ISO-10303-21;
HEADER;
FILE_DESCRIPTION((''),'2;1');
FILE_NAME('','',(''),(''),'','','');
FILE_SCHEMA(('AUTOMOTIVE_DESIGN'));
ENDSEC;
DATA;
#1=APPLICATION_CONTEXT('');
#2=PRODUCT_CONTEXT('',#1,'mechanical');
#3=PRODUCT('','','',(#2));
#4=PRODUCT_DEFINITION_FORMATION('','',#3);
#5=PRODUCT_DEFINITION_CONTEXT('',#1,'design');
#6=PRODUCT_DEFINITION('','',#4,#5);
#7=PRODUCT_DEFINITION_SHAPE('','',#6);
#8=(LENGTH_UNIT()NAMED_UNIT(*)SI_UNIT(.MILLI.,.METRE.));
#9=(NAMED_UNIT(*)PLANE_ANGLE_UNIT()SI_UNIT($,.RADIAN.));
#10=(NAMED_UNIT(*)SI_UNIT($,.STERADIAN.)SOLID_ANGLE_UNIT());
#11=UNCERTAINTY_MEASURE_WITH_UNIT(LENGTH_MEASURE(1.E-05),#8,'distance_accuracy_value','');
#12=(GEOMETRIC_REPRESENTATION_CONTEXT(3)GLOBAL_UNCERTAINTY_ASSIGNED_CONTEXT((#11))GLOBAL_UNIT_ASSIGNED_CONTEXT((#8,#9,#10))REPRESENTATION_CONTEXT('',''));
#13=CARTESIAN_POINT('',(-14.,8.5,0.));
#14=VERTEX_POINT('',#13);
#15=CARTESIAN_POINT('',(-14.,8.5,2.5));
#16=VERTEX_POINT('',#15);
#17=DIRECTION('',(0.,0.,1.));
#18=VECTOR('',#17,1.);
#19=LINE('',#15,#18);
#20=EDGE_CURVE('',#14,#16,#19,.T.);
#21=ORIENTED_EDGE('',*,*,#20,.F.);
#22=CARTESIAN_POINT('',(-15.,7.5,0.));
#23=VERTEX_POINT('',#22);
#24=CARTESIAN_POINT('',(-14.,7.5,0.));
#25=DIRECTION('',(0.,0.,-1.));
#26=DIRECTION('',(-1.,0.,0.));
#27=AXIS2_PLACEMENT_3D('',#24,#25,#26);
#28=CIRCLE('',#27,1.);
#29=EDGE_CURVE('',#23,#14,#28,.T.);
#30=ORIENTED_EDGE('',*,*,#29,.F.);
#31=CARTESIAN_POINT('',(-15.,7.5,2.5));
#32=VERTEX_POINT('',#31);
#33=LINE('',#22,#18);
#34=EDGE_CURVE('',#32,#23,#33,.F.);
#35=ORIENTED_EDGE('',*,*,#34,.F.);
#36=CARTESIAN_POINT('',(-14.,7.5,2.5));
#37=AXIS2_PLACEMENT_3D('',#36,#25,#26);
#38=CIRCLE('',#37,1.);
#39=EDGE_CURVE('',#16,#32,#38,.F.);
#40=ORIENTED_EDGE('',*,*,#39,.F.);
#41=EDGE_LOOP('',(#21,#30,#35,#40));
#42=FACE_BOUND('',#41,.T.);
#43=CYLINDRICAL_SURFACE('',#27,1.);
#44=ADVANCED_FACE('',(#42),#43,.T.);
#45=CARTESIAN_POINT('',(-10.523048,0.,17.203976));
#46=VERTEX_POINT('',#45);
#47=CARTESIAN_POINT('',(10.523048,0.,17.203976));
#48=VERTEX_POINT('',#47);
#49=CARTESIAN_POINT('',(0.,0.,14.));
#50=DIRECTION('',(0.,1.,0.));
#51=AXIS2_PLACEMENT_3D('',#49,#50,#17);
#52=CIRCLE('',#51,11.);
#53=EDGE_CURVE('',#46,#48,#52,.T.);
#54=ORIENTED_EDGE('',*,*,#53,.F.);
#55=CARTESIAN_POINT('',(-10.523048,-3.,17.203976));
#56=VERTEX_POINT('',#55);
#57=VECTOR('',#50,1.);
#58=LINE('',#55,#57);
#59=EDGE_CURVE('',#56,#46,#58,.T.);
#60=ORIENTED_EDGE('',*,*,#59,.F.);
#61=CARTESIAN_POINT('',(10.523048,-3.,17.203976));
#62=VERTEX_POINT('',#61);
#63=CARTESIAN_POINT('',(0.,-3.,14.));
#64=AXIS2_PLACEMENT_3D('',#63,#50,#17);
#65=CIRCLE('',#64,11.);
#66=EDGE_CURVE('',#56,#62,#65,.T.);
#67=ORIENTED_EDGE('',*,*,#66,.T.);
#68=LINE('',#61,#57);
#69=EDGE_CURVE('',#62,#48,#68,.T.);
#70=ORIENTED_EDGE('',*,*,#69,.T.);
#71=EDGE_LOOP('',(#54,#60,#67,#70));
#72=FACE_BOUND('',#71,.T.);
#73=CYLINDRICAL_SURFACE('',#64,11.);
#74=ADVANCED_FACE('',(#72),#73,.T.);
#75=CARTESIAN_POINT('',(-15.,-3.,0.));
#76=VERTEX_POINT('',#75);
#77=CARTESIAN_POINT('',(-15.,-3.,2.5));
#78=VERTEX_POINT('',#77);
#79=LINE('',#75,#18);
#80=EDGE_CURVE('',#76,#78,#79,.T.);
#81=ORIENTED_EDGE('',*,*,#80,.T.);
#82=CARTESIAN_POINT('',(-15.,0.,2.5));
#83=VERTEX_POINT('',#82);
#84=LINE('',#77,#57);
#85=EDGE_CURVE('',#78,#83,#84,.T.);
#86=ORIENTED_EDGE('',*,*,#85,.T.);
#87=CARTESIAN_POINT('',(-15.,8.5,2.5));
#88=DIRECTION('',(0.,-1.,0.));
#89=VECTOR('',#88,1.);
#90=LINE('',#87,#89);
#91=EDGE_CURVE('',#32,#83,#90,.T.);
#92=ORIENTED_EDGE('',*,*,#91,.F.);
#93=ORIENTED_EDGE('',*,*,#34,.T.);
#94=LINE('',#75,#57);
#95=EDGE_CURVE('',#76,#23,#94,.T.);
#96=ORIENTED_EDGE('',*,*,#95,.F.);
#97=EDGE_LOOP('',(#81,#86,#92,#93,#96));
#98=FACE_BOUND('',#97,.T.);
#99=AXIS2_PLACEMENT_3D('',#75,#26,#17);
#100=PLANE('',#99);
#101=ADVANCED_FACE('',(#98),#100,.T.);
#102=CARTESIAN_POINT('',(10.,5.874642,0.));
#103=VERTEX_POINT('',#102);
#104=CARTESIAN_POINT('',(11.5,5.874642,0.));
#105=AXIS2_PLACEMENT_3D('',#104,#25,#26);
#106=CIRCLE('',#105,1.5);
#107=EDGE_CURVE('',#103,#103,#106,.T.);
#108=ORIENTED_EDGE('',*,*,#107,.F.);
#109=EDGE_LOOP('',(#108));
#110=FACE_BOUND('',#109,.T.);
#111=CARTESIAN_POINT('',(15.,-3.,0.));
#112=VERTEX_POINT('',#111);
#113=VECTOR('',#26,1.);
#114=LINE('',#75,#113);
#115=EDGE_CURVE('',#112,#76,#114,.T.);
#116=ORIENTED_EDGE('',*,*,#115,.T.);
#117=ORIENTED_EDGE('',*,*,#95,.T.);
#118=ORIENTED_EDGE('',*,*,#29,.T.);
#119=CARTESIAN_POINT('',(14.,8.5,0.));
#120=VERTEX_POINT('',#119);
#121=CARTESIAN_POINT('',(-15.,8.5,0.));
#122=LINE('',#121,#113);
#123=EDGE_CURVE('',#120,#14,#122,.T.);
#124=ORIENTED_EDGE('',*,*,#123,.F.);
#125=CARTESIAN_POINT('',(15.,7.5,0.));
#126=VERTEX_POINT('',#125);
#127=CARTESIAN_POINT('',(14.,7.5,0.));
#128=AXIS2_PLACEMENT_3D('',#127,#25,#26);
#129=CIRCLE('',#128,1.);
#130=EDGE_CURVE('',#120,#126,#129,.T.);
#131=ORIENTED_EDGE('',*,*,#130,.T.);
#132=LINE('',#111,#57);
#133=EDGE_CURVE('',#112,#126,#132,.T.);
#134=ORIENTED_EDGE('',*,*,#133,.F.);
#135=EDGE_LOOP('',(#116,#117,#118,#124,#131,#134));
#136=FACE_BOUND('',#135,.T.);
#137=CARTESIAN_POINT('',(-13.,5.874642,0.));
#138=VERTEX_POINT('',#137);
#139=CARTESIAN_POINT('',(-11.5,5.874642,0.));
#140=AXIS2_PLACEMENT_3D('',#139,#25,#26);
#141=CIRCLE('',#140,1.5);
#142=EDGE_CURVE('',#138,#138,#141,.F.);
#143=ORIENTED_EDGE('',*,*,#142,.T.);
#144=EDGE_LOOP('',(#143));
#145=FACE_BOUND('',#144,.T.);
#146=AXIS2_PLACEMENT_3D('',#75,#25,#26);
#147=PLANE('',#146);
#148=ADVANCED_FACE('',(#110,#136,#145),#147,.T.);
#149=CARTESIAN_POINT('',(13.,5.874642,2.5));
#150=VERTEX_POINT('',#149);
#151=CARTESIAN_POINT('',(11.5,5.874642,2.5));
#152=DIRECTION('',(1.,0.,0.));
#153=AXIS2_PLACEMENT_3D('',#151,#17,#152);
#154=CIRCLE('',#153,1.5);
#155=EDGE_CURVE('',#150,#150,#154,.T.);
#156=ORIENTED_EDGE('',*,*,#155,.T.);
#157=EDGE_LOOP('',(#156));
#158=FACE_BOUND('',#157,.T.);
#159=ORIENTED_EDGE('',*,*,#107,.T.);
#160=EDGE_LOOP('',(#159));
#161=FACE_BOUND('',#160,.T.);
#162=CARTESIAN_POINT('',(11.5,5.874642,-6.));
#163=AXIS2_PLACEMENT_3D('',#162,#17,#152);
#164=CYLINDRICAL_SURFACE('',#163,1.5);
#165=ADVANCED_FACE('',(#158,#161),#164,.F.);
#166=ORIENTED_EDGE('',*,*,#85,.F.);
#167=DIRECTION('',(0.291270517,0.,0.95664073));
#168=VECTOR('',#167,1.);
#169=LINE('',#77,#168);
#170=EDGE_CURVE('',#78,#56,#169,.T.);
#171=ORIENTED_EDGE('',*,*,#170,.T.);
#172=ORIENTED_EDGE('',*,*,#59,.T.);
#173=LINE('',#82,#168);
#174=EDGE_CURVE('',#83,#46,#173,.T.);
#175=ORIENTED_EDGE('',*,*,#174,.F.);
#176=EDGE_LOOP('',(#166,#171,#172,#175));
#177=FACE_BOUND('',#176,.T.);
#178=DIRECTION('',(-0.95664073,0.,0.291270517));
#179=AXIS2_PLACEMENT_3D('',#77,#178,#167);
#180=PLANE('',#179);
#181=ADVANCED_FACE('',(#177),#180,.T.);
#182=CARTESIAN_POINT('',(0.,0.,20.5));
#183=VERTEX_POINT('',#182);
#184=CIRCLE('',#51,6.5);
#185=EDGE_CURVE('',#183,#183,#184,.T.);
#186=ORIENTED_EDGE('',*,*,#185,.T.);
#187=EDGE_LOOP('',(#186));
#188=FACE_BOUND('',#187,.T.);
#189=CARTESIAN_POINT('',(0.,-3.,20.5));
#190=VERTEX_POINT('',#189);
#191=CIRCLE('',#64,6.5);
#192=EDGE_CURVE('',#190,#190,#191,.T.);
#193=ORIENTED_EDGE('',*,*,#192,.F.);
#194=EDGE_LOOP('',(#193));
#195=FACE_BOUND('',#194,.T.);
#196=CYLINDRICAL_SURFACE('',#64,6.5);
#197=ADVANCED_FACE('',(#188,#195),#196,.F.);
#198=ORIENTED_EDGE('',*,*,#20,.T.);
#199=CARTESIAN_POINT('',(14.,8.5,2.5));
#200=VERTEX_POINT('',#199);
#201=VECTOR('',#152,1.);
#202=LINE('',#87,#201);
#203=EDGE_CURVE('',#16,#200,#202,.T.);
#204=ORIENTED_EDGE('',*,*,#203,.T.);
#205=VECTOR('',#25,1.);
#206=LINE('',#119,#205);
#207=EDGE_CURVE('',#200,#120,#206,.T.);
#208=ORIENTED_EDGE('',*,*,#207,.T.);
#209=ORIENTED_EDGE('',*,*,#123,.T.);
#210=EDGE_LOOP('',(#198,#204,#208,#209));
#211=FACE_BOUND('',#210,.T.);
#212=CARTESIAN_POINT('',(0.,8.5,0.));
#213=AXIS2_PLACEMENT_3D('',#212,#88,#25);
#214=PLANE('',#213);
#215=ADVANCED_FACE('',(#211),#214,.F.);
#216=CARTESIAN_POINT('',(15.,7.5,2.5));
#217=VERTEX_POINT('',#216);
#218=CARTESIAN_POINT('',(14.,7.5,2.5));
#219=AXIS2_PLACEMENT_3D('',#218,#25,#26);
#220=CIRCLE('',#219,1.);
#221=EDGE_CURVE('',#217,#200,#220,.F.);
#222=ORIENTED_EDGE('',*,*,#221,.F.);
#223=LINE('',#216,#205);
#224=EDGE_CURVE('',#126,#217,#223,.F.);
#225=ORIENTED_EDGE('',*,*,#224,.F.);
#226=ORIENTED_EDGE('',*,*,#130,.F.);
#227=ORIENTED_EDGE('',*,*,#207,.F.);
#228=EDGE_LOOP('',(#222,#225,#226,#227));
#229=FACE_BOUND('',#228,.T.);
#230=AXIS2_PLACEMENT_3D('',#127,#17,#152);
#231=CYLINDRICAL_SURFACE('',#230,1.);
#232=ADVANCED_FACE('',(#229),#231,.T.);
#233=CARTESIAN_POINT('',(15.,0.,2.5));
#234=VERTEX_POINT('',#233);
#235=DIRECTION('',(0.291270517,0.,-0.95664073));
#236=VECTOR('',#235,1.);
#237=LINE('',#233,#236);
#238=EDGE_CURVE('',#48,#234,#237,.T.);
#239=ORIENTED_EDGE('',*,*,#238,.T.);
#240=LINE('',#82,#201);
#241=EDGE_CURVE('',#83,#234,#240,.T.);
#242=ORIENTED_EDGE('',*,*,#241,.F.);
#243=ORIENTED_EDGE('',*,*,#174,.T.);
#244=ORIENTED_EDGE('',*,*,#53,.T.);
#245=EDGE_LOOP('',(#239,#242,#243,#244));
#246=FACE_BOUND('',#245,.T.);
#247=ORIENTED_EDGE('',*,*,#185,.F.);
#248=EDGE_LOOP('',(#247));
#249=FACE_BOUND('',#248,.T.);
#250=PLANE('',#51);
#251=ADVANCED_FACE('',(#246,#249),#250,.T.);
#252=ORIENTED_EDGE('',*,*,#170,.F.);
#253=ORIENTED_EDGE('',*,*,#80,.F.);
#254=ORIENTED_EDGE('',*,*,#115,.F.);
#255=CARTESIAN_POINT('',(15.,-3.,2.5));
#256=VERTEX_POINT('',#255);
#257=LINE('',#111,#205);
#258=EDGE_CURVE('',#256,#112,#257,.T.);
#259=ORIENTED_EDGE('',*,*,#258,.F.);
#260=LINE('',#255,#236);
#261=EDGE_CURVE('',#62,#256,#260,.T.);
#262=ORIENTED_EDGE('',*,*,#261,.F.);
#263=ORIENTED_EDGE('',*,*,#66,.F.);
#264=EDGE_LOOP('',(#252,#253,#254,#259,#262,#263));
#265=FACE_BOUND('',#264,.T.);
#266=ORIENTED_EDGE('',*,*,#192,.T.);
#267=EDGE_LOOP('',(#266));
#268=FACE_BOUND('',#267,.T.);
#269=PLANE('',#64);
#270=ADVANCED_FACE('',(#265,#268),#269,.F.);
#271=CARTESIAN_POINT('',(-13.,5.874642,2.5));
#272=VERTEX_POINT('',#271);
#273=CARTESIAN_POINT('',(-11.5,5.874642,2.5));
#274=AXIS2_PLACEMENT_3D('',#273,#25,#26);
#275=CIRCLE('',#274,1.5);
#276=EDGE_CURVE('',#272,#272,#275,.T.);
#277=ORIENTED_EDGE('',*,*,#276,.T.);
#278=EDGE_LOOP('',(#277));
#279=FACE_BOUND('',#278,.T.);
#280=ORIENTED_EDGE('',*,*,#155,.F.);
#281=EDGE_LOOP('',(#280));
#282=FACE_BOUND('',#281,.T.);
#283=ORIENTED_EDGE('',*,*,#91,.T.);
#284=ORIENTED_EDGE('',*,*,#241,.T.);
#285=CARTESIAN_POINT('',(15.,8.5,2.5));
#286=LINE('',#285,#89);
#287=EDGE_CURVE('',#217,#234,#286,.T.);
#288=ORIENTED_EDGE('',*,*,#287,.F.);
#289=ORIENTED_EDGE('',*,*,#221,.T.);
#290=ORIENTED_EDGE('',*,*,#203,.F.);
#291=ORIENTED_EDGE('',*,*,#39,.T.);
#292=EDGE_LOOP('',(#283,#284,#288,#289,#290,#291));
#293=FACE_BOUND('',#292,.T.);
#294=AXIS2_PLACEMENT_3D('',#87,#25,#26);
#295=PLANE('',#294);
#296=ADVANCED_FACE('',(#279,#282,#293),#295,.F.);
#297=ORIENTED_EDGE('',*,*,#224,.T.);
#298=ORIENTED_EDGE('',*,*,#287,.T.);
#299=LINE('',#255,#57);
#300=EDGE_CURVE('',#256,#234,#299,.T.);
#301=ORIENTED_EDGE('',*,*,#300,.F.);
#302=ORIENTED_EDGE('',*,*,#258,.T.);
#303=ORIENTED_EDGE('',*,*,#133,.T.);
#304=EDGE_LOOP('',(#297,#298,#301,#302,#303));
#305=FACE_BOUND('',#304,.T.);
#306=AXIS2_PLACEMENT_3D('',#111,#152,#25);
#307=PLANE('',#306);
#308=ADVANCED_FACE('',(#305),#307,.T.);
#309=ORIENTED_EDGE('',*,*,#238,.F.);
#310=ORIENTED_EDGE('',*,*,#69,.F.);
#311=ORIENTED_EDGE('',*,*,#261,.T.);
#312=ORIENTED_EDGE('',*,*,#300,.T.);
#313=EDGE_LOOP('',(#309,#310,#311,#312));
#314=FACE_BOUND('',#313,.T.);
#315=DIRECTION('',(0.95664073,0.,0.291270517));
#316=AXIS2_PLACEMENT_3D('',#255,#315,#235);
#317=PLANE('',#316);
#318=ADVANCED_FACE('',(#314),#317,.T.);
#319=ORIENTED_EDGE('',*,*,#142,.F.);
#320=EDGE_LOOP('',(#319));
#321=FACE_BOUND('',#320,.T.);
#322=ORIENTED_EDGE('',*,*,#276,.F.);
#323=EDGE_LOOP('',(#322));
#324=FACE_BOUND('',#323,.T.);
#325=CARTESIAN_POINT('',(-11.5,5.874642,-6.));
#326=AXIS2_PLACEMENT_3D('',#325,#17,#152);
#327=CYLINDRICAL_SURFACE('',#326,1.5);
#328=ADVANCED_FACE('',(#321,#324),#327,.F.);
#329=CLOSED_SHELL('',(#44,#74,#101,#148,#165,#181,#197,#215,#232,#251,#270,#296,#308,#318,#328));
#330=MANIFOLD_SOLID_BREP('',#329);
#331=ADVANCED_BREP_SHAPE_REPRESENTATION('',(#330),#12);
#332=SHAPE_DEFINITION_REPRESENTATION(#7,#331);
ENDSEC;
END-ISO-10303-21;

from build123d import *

# Parameters (mm, degrees)
SKETCH1_R           = 6.5
BOSS_EXTRUDE1_DEPTH = 3
SKETCH2_W           = 30
SKETCH2_H           = 2.5
BOSS_EXTRUDE2_DEPTH = 8.5
FILLET1_R           = 1
SKETCH3_R           = 1.5
CUT_EXTRUDE1_DEPTH  = 8.5


with BuildPart() as part:
    # Sketch1 → Boss-Extrude1 (new body)
    with BuildSketch(Plane(origin=(0, 0, 0), x_dir=(1, 0, 0), z_dir=(0, 1, 0))):
        with BuildLine():
            Line((-15, 0), (15, 0))
            Line((15, 0), (15, -2.5))
            Line((15, -2.5), (10.523048028, -17.203975688))
            ThreePointArc((10.523048028, -17.203975688), (0, -25), (-10.523048028, -17.203975688))
            Line((-10.523048028, -17.203975688), (-15, -2.5))
            Line((-15, -2.5), (-15, 0))
        make_face()
        with Locations(Location((0, -14, 0), (0, 0, 270))):
            Circle(SKETCH1_R, mode=Mode.SUBTRACT)
    extrude(amount=-BOSS_EXTRUDE1_DEPTH)

    # Sketch2 → Boss-Extrude2 (add)
    with BuildSketch(Plane(origin=(0, 0, 0), x_dir=(1, 0, 0), z_dir=(0, 1, 0))):
        with Locations((0, -1.25)):
            Rectangle(SKETCH2_W, SKETCH2_H)
    extrude(amount=BOSS_EXTRUDE2_DEPTH)

    # Fillet1
    fillet1_edges = [part.edges().sort_by_distance(p)[0] for p in [
        (-15, 8.5, 1.25),
        (15, 8.5, 1.25),
    ]]
    fillet(fillet1_edges, radius=FILLET1_R)

    # Sketch3 → Cut-Extrude1 (cut)
    with BuildSketch(Plane.XY.offset(2.5)):
        with Locations((11.5, 5.874642398)):
            Circle(SKETCH3_R)
    cut_extrude1 = extrude(amount=-CUT_EXTRUDE1_DEPTH, mode=Mode.SUBTRACT)

    # Mirror1: Cut-Extrude1 across plane
    add(cut_extrude1.mirror(Plane(origin=(0, 0, 0), x_dir=(0, 0, 1), z_dir=(1, 0, 0))), mode=Mode.SUBTRACT)


solid = part.part
